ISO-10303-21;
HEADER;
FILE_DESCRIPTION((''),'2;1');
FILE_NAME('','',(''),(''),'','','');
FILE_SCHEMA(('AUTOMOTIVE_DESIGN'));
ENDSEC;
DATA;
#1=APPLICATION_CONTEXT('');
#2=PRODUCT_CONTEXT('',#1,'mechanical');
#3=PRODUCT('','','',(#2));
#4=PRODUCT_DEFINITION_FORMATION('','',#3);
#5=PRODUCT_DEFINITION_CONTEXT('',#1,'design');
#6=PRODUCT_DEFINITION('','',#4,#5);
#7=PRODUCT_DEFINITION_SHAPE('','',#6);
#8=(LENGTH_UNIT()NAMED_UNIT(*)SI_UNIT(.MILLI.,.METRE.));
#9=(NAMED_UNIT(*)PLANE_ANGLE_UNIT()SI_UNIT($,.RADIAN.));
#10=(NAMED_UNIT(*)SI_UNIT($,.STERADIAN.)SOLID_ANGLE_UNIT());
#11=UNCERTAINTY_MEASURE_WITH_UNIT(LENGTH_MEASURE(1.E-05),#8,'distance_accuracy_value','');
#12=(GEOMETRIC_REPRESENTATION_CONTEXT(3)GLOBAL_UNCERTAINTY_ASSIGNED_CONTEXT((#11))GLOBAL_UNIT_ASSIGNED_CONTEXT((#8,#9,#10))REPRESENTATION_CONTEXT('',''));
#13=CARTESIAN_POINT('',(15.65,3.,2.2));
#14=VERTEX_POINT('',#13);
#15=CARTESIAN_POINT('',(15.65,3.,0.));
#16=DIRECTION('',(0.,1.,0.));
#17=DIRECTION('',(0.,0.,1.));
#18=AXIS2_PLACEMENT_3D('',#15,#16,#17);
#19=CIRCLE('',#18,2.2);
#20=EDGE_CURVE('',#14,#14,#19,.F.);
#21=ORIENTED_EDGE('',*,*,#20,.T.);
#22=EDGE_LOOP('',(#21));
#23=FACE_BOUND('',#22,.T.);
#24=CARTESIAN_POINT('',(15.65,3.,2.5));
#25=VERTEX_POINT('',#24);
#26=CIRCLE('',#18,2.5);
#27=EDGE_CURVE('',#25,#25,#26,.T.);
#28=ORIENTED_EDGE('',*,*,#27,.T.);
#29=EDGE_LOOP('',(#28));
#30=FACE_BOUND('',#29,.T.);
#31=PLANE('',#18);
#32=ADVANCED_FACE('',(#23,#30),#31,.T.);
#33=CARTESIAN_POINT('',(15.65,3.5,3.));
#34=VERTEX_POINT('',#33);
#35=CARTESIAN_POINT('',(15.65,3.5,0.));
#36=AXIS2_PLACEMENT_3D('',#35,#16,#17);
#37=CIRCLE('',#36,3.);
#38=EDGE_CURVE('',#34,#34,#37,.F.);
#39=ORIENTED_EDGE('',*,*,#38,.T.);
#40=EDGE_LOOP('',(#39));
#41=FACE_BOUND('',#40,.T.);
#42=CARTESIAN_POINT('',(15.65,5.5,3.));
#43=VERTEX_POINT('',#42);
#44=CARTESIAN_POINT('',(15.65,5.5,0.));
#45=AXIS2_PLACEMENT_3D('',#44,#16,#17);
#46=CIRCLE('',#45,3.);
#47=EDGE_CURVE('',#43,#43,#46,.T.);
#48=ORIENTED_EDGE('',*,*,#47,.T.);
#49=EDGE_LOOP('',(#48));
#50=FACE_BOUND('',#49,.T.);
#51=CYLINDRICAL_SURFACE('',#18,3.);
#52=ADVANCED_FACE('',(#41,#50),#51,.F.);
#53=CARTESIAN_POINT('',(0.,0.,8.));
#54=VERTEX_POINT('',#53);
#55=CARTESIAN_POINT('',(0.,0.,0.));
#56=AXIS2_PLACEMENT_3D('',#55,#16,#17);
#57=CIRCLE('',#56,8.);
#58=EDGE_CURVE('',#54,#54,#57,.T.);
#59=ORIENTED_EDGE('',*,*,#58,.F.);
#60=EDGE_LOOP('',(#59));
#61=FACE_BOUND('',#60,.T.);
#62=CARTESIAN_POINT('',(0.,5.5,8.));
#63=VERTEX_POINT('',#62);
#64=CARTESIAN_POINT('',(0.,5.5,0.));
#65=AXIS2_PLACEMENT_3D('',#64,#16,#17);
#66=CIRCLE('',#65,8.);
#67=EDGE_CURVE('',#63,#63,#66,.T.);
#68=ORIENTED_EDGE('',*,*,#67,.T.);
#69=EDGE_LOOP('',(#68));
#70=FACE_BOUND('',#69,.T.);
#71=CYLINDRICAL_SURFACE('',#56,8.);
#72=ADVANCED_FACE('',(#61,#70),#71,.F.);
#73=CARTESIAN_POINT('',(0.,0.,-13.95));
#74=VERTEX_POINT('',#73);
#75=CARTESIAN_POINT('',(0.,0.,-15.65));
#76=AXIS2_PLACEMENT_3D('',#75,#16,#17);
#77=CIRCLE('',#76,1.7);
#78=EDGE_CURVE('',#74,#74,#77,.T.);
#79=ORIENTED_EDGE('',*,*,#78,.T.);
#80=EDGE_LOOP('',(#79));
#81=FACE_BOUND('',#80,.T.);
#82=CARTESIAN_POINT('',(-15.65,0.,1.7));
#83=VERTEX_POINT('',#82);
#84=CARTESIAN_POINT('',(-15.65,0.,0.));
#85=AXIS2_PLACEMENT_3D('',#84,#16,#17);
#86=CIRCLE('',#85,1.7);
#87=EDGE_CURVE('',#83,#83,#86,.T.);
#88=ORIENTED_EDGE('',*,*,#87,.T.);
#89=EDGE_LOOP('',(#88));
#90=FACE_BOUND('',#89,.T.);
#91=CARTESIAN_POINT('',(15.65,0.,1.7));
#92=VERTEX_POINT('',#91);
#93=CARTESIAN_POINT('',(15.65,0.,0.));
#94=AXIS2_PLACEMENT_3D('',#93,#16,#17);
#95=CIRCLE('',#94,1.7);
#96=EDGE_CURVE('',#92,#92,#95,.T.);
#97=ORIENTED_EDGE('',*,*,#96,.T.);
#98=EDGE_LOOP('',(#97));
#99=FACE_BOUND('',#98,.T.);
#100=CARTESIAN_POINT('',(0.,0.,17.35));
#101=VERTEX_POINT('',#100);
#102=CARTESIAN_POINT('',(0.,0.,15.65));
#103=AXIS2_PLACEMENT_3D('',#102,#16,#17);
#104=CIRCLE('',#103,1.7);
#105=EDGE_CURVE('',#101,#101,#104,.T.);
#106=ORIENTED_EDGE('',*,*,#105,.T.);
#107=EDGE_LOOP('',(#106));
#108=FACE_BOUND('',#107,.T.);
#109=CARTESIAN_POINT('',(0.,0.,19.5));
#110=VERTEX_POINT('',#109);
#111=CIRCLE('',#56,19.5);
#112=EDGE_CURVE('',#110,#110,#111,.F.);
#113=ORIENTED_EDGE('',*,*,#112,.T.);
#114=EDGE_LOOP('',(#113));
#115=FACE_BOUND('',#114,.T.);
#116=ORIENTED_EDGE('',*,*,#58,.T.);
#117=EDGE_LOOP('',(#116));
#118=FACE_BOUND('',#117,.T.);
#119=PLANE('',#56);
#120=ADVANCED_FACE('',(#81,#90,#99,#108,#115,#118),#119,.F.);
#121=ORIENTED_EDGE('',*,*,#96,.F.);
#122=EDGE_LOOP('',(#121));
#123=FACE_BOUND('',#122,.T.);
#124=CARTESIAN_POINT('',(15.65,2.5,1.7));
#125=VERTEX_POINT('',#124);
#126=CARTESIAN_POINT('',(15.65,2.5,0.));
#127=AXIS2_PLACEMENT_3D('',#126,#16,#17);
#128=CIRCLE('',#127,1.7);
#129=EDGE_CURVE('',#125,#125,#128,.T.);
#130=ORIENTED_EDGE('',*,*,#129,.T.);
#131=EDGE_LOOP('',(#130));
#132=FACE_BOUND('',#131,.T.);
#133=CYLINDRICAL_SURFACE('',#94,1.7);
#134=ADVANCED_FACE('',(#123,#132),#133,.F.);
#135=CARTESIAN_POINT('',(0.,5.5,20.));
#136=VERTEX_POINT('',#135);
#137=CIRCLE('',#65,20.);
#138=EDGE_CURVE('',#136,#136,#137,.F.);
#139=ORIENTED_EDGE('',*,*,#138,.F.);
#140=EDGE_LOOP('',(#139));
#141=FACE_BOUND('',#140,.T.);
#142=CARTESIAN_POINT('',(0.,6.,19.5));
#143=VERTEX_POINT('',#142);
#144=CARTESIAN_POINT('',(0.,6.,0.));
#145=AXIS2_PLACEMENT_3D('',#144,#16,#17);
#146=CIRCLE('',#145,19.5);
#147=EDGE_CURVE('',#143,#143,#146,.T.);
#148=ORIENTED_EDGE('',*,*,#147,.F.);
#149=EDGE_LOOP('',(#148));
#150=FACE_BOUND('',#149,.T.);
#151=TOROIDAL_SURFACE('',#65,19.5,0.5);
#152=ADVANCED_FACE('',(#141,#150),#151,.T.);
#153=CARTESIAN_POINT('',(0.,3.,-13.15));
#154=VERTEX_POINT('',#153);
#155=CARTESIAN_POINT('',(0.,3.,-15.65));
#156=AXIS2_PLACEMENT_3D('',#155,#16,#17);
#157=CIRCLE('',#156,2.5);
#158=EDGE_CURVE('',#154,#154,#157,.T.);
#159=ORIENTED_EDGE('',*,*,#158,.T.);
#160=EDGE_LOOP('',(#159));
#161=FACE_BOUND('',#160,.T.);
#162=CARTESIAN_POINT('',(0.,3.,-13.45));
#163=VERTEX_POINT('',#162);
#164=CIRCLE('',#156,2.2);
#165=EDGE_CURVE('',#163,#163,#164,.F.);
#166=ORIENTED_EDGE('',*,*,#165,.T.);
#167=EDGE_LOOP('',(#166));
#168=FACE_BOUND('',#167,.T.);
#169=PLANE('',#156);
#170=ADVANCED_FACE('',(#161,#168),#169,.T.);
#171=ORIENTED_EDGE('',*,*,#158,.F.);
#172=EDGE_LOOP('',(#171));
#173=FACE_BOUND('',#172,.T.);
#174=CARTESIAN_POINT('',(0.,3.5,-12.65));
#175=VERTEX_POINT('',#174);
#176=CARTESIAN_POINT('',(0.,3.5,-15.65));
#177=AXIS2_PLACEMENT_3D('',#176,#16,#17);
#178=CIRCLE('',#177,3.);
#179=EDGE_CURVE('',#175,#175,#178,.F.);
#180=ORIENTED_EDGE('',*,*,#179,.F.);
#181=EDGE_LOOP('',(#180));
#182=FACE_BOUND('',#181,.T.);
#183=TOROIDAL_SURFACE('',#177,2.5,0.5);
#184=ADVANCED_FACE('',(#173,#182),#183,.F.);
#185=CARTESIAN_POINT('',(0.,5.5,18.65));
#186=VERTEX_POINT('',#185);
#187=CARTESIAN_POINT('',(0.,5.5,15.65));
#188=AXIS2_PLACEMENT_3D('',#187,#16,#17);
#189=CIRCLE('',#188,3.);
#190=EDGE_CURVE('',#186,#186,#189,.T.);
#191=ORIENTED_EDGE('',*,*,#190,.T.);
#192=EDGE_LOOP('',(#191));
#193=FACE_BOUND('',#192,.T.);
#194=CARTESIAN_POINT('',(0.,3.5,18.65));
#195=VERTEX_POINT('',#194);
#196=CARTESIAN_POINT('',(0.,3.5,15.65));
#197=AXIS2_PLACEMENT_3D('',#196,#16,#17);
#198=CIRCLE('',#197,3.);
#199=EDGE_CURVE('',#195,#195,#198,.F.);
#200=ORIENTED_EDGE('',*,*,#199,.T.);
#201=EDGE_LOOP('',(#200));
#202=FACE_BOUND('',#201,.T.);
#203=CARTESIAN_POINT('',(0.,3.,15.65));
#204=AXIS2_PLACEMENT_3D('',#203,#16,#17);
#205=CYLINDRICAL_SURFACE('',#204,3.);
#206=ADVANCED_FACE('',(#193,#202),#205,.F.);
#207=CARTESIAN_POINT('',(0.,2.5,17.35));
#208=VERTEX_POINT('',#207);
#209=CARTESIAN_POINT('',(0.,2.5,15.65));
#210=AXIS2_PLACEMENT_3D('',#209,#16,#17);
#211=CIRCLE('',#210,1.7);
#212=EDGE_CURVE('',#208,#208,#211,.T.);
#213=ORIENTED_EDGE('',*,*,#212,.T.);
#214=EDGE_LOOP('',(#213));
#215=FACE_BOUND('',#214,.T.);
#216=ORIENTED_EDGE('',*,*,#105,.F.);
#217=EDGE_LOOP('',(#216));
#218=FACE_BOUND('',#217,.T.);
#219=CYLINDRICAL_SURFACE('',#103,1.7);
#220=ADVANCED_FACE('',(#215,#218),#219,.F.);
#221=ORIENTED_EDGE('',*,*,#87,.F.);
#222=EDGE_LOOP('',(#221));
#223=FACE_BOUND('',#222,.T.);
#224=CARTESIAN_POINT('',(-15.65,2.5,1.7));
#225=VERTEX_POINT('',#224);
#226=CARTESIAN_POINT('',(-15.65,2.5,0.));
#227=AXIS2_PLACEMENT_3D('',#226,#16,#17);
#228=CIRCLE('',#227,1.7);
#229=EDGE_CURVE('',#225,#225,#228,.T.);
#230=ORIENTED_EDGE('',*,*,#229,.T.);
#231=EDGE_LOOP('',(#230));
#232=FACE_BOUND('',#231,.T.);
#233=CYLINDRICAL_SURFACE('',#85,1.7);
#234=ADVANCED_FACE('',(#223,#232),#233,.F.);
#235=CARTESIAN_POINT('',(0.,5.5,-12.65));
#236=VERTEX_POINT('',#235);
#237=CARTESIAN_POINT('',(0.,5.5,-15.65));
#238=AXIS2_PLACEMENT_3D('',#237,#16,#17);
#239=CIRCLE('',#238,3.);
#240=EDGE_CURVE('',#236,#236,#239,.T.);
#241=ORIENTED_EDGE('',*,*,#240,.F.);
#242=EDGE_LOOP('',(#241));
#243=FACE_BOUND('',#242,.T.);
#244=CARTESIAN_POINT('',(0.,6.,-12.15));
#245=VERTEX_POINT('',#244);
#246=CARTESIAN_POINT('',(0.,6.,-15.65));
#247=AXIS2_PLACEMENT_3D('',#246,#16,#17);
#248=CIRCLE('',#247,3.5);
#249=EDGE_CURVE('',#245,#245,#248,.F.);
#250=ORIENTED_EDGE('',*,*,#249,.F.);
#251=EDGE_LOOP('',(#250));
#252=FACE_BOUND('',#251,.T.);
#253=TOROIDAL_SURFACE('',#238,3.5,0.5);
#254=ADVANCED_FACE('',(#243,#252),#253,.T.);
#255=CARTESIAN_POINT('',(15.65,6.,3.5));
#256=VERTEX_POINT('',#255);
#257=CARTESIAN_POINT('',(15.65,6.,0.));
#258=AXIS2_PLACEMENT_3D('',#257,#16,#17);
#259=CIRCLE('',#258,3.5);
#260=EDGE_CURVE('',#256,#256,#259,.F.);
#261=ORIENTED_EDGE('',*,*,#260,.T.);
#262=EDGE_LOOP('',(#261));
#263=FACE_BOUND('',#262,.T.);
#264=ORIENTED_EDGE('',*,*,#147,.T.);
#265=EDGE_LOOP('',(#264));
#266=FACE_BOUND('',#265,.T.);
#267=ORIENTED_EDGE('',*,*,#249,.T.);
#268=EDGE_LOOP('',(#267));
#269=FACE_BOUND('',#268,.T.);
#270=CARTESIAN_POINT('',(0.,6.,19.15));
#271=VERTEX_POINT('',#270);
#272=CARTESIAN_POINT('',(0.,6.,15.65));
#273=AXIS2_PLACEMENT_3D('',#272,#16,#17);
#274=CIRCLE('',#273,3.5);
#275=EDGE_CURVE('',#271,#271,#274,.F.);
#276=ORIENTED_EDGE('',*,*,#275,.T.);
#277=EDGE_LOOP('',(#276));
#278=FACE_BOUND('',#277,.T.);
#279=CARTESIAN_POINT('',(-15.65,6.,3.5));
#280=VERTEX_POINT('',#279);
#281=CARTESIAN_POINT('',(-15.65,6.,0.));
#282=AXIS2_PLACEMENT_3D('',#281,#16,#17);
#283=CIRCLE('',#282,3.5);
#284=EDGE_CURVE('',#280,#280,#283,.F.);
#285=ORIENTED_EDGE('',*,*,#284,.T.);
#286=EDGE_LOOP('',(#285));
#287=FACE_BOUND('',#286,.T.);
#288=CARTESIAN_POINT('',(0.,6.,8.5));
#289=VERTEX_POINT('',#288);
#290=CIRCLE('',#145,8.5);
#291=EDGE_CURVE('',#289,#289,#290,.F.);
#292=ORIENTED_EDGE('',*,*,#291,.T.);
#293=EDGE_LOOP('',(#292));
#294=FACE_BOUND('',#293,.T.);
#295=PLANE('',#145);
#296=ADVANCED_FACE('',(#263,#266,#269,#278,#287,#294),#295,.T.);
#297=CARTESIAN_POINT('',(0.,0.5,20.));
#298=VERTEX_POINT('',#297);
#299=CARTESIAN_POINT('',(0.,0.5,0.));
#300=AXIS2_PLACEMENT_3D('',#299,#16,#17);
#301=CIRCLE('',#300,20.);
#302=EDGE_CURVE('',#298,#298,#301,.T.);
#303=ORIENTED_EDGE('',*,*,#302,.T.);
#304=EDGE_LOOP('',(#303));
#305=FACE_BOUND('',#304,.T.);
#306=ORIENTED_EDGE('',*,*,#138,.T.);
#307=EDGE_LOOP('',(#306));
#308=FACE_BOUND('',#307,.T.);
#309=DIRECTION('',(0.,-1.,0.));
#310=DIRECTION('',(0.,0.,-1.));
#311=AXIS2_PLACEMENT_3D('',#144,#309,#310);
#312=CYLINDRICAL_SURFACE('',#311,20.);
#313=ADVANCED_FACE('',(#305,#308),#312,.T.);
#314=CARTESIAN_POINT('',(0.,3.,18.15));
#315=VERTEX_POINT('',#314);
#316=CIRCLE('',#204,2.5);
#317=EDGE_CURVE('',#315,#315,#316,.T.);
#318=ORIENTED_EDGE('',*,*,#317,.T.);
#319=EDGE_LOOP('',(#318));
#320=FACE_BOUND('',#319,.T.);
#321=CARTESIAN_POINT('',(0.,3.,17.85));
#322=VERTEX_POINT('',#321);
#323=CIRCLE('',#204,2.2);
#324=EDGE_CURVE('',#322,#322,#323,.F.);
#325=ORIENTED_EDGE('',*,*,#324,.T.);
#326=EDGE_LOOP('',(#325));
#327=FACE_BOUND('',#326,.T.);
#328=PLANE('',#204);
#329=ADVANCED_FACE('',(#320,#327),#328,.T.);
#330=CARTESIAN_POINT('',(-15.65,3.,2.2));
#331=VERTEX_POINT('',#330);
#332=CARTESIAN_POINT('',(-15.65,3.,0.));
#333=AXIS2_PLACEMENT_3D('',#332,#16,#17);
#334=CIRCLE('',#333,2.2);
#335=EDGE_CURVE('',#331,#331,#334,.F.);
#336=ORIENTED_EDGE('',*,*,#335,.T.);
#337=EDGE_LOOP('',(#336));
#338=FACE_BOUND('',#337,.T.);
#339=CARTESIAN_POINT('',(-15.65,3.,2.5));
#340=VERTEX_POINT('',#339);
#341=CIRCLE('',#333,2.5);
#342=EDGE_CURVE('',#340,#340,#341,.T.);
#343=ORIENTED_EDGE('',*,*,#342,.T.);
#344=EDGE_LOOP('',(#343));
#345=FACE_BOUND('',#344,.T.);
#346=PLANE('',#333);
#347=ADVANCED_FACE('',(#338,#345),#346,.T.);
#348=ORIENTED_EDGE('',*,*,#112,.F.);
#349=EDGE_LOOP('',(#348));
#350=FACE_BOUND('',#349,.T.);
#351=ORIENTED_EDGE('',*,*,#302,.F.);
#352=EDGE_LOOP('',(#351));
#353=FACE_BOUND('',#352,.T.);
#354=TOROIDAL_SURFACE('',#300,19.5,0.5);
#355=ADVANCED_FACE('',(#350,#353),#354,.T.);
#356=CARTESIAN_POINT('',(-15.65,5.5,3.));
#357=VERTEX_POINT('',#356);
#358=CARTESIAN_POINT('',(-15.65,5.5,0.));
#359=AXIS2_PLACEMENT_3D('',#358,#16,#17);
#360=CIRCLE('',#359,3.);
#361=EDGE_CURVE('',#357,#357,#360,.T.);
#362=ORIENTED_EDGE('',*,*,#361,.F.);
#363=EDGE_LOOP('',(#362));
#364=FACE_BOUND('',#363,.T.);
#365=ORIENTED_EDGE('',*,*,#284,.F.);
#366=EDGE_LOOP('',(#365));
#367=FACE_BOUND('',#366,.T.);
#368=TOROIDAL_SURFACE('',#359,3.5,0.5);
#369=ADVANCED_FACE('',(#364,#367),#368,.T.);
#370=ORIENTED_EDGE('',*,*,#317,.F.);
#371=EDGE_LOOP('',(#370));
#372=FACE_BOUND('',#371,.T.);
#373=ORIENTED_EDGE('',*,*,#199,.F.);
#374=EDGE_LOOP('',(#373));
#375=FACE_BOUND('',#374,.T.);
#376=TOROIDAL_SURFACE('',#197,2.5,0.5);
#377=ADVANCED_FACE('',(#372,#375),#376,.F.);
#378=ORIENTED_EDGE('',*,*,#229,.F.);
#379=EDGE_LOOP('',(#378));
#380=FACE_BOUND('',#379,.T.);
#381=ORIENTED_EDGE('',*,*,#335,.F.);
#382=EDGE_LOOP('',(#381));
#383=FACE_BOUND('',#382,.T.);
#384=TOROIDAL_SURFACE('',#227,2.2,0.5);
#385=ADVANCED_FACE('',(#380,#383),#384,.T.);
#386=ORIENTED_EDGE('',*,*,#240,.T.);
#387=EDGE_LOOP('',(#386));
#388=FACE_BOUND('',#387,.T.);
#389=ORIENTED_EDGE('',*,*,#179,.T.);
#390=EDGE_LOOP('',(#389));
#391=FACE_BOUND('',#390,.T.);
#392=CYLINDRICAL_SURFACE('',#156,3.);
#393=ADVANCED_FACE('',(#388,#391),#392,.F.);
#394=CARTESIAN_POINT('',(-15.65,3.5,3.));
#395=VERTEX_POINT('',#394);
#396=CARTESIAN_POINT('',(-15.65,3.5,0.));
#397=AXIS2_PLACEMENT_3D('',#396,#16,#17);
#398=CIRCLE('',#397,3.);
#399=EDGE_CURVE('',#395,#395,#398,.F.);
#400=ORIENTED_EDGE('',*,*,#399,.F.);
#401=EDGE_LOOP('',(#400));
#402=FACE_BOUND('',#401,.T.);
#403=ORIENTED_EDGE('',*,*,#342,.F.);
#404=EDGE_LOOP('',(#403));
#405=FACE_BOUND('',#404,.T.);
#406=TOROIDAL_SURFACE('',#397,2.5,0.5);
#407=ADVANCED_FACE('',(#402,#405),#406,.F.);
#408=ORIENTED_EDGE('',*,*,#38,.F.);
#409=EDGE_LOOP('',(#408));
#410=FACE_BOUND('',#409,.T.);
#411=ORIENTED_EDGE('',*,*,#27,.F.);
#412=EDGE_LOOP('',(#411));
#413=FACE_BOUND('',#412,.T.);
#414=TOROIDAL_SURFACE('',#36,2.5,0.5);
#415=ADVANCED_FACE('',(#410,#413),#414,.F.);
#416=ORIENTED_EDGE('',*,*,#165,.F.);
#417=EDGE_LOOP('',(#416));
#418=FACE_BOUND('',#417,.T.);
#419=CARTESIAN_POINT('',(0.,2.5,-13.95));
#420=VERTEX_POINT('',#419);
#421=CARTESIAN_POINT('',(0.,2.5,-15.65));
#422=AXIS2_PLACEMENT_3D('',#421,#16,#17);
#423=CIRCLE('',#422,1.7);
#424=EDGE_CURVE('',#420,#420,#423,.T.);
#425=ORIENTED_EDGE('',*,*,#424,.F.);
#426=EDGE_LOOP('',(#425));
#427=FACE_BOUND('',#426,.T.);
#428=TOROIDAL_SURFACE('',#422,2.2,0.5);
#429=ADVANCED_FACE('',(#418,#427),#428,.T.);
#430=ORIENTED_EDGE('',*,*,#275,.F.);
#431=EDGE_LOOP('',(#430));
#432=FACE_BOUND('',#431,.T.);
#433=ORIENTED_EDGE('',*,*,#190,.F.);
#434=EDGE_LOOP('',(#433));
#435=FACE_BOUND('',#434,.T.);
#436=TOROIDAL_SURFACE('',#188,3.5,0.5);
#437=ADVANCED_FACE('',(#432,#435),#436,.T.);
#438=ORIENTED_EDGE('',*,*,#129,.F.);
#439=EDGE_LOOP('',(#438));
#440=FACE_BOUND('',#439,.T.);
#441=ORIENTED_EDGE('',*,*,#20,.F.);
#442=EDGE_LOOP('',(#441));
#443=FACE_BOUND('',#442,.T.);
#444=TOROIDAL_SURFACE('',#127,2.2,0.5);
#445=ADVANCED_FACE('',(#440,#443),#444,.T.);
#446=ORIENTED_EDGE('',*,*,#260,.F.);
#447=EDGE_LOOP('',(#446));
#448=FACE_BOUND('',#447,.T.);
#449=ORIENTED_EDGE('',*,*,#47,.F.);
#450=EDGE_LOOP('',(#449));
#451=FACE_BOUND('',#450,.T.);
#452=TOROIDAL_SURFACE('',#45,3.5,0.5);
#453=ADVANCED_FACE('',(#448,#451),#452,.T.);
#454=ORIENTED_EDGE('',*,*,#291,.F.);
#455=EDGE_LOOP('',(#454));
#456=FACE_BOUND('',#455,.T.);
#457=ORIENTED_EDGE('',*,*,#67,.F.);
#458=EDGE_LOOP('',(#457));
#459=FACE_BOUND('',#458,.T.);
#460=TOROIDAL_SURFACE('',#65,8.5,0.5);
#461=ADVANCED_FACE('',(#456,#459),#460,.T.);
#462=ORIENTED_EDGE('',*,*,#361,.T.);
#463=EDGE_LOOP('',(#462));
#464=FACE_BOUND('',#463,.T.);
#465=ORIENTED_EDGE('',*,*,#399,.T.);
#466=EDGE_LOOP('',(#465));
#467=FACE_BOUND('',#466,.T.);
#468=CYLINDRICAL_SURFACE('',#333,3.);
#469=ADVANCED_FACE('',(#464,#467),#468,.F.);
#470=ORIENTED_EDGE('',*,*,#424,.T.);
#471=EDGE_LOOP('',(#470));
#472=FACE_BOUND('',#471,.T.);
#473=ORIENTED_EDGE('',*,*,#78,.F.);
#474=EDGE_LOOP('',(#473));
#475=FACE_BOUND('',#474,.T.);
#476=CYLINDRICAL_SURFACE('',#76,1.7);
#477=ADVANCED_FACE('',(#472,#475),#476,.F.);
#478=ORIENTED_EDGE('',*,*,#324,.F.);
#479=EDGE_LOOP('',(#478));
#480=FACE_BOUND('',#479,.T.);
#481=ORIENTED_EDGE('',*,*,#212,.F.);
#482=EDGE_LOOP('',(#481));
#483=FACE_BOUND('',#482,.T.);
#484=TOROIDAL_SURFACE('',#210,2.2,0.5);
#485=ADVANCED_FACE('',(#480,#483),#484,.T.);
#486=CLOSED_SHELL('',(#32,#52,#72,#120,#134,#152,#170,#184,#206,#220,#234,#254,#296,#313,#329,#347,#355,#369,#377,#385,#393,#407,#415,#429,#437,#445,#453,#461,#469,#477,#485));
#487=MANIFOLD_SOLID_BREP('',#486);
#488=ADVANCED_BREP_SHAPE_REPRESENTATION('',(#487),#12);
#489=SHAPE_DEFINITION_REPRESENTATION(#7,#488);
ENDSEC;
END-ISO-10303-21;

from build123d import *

# Parameters (mm, degrees)
SKETCH2_R           = 20
BOSS_EXTRUDE1_DEPTH = 6
SKETCH3_R           = 8
CUT_EXTRUDE1_DEPTH  = 29.91366459
SKETCH4_R           = 1.7
CUT_EXTRUDE2_DEPTH  = 29.91366459
SKETCH5_R           = 3
CUT_EXTRUDE3_DEPTH  = 3
FILLET1_R           = 0.5
FILLET2_R           = 0.5
FILLET3_R           = 0.5


with BuildPart() as part:
    # Sketch2 → Boss-Extrude1 (new body)
    with BuildSketch(Plane(origin=(0, 0, 0), x_dir=(1, 0, 0), z_dir=(0, 1, 0))):
        with Locations(Location((0, 0, 0), (0, 0, 270))):
            Circle(SKETCH2_R)
    extrude(amount=BOSS_EXTRUDE1_DEPTH)

    # Sketch3 → Cut-Extrude1 (cut, through all)
    with BuildSketch(Plane(origin=(0, 6, 0), x_dir=(1, 0, 0), z_dir=(0, 1, 0))):
        with Locations(Location((0, 0, 0), (0, 0, 270))):
            Circle(SKETCH3_R)
    extrude(amount=-CUT_EXTRUDE1_DEPTH, mode=Mode.SUBTRACT)

    # Sketch4 → Cut-Extrude2 (cut, through all)
    with BuildSketch(Plane(origin=(0, 6, 0), x_dir=(1, 0, 0), z_dir=(0, 1, 0))):
        with Locations(Location((0, 15.65, 0), (0, 0, 270))):
            Circle(SKETCH4_R)
        with Locations(Location((-15.65, 0, 0), (0, 0, 270))):
            Circle(SKETCH4_R)
        with Locations(Location((0, -15.65, 0), (0, 0, 270))):
            Circle(SKETCH4_R)
        with Locations(Location((15.65, 0, 0), (0, 0, 270))):
            Circle(SKETCH4_R)
    extrude(amount=-CUT_EXTRUDE2_DEPTH, mode=Mode.SUBTRACT)

    # Sketch5 → Cut-Extrude3 (cut)
    with BuildSketch(Plane(origin=(0, 6, 0), x_dir=(1, 0, 0), z_dir=(0, 1, 0))):
        with Locations(Location((0, 15.65, 0), (0, 0, 270))):
            Circle(SKETCH5_R)
        with Locations(Location((-15.65, 0, 0), (0, 0, 270))):
            Circle(SKETCH5_R)
        with Locations(Location((0, -15.65, 0), (0, 0, 270))):
            Circle(SKETCH5_R)
        with Locations(Location((15.65, 0, 0), (0, 0, 270))):
            Circle(SKETCH5_R)
    extrude(amount=-CUT_EXTRUDE3_DEPTH, mode=Mode.SUBTRACT)

    # Fillet1
    fillet1_edges = [part.edges().sort_by_distance(p)[0] for p in [
        (0, 6, -18.65),
        (-15.65, 6, -3),
        (0, 6, 12.65),
        (15.65, 6, -3),
        (0, 6, -20),
        (0, 6, -8),
    ]]
    fillet(fillet1_edges, radius=FILLET1_R)

    # Fillet2
    fillet2_edges = [part.edges().sort_by_distance(p)[0] for p in [
        (0, 3, -18.65),
        (0, 3, -17.35),
        (-15.65, 3, -3),
        (-15.65, 3, -1.7),
        (0, 3, 12.65),
        (0, 3, 13.95),
        (15.65, 3, -3),
        (15.65, 3, -1.7),
    ]]
    fillet(fillet2_edges, radius=FILLET2_R)

    # Fillet3
    fillet3_edges = [part.edges().sort_by_distance(p)[0] for p in [
        (0, 0, -20),
    ]]
    fillet(fillet3_edges, radius=FILLET3_R)


solid = part.part
